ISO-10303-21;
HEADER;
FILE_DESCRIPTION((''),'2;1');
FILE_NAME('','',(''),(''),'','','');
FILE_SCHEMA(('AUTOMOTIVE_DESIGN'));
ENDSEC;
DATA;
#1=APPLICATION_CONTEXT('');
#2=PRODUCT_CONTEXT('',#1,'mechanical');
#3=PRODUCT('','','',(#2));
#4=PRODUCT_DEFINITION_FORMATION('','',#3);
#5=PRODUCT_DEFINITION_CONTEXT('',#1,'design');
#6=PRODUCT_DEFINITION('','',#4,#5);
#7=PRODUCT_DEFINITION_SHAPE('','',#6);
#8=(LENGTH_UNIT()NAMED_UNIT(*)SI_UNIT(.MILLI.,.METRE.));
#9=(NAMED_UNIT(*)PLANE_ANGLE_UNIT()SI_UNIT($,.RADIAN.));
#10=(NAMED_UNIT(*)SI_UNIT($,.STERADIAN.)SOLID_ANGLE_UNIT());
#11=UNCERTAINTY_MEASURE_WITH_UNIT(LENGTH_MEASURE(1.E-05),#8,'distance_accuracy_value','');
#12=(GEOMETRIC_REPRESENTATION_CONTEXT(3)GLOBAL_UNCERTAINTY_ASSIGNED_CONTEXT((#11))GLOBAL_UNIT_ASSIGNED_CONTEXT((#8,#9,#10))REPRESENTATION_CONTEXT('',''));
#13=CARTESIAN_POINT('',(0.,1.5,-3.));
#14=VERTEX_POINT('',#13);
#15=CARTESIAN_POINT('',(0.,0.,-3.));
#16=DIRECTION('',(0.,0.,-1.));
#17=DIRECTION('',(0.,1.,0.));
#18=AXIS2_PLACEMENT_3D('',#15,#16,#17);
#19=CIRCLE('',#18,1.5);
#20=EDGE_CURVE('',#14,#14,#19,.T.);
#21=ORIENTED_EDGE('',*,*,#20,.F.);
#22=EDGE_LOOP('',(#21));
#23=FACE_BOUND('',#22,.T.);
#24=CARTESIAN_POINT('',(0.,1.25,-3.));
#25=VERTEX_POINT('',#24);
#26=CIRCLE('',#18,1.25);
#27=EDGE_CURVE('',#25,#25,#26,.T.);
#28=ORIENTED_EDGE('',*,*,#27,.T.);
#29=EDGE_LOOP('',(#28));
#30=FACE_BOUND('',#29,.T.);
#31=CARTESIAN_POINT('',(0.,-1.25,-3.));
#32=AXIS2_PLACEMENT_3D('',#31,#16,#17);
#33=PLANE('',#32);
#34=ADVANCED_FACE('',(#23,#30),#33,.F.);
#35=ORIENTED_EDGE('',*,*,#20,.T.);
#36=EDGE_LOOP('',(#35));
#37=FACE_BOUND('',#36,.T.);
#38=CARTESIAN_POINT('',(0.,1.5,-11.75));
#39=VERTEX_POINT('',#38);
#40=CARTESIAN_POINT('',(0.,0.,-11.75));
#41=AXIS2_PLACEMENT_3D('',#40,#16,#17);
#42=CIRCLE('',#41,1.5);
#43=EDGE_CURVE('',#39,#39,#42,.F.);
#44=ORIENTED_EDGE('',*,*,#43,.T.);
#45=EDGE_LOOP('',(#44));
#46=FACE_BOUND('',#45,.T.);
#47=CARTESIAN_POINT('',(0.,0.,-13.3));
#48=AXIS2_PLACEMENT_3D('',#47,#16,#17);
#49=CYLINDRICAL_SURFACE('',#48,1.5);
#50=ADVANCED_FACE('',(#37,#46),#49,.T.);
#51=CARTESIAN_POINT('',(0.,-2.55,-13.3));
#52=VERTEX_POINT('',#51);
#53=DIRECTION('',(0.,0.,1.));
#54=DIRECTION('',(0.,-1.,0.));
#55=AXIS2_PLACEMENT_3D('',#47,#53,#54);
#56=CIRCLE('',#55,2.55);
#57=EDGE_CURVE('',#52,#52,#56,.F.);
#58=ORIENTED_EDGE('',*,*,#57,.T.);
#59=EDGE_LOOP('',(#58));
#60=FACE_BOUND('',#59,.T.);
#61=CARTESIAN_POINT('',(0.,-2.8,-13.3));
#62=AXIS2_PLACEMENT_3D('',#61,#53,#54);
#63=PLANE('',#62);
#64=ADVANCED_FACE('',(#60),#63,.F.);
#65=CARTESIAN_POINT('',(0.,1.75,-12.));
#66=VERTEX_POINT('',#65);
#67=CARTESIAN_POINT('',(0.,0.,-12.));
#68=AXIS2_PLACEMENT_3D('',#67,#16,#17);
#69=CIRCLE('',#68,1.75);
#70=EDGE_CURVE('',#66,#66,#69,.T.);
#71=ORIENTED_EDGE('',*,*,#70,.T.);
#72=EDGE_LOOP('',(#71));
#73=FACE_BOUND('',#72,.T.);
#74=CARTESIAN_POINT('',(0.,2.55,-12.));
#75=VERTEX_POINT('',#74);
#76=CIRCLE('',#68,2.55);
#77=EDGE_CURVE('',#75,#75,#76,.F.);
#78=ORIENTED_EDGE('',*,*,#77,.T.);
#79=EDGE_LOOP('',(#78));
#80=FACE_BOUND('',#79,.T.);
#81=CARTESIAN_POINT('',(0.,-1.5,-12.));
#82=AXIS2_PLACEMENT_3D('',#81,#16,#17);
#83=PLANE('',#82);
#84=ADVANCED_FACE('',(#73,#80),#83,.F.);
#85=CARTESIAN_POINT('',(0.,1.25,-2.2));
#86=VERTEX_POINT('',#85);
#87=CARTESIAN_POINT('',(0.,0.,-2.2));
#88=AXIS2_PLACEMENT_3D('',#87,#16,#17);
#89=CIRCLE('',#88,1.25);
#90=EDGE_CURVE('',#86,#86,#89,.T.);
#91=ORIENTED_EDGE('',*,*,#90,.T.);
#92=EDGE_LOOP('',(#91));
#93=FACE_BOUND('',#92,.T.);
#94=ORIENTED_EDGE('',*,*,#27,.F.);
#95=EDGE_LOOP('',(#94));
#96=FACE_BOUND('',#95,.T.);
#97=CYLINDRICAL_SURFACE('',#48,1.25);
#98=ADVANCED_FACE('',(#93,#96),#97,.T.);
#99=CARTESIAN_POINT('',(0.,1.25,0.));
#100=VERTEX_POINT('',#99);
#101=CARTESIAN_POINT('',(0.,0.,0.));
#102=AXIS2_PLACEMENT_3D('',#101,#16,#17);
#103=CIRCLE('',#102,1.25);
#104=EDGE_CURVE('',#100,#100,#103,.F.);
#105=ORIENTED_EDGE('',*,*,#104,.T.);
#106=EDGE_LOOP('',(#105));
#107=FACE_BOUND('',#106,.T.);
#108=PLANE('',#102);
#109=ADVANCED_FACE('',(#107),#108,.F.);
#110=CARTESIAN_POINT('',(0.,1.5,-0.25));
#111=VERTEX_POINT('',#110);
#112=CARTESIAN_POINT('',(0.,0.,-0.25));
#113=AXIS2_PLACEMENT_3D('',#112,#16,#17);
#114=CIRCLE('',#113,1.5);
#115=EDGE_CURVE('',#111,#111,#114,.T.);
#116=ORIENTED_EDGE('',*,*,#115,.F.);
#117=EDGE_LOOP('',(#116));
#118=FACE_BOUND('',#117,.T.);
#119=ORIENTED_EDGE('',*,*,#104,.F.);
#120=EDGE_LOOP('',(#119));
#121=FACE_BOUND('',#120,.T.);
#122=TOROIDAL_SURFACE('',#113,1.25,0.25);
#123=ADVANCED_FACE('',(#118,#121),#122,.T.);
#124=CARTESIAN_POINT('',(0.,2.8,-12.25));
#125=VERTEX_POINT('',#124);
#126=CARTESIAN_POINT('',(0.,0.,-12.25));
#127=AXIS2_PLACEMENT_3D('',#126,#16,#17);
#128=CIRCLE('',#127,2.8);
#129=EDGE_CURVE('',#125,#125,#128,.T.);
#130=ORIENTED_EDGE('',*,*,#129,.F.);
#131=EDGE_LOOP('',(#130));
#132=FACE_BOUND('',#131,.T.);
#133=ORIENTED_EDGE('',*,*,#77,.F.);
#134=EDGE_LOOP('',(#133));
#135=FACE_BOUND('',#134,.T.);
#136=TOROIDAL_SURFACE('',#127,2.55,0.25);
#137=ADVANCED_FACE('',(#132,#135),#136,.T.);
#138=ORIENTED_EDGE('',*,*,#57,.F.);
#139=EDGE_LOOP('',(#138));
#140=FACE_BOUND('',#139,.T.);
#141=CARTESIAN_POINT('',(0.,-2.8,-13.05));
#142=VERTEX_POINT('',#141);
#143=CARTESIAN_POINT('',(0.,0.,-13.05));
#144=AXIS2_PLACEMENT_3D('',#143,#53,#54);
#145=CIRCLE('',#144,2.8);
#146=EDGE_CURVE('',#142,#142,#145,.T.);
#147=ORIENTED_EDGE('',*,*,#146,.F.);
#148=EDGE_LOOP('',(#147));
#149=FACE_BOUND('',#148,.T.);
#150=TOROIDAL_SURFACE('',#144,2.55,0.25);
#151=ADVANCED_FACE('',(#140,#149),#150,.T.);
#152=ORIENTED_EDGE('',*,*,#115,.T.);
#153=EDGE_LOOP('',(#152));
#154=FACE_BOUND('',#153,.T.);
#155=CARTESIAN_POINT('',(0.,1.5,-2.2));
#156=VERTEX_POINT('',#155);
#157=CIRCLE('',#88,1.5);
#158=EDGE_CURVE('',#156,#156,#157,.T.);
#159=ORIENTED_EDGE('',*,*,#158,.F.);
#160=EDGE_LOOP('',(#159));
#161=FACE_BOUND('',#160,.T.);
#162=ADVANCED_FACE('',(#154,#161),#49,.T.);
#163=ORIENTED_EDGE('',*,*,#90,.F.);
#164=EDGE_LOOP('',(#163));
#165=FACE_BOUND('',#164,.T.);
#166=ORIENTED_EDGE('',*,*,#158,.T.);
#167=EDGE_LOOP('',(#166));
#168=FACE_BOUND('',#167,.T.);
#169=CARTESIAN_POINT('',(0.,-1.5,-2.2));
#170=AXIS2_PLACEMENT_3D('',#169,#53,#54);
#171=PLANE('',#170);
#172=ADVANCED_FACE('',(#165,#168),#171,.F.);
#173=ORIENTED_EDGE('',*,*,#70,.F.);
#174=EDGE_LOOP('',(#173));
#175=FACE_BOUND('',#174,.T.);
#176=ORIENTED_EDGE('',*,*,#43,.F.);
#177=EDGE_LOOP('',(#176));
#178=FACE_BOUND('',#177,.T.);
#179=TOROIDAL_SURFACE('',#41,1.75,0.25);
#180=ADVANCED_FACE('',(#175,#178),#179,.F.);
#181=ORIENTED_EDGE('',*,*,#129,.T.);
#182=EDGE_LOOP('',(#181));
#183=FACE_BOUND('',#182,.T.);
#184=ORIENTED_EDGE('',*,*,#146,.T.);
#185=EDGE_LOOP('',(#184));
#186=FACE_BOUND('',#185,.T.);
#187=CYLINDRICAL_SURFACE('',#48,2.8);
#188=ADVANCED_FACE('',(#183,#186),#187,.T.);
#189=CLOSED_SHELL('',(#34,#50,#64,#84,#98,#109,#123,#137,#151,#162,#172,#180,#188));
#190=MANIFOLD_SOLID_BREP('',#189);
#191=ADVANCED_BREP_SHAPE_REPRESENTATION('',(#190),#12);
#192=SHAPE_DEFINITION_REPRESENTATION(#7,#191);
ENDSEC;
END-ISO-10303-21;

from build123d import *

# Parameters (mm, degrees)
FILLET_1_R = 0.25


with BuildPart() as part:
    # 草图1 → 旋转1 (revolve)
    with BuildSketch(Plane.YZ, mode=Mode.PRIVATE) as revolve_1_sk:
        Polygon((0, 0), (-1.5, 0), (-1.5, -2.2), (-1.25, -2.2), (-1.25, -3), (-1.5, -3), (-1.5, -12), (-2.8, -12), (-2.8, -13.3), (0, -13.3), align=None)
    revolve(revolve_1_sk.sketch.rotate(Axis((0, 0, -13.3), (0, 0, 1)), 180), axis=Axis((0, 0, -13.3), (0, 0, 1)))

    # 圆角1
    fillet_1_edges = [part.edges().sort_by_distance(p)[0] for p in [
        (0, -1.5, 0),
        (0, -2.8, -13.3),
        (0, -2.8, -12),
        (0, -1.5, -12),
    ]]
    fillet(fillet_1_edges, radius=FILLET_1_R)


solid = part.part
